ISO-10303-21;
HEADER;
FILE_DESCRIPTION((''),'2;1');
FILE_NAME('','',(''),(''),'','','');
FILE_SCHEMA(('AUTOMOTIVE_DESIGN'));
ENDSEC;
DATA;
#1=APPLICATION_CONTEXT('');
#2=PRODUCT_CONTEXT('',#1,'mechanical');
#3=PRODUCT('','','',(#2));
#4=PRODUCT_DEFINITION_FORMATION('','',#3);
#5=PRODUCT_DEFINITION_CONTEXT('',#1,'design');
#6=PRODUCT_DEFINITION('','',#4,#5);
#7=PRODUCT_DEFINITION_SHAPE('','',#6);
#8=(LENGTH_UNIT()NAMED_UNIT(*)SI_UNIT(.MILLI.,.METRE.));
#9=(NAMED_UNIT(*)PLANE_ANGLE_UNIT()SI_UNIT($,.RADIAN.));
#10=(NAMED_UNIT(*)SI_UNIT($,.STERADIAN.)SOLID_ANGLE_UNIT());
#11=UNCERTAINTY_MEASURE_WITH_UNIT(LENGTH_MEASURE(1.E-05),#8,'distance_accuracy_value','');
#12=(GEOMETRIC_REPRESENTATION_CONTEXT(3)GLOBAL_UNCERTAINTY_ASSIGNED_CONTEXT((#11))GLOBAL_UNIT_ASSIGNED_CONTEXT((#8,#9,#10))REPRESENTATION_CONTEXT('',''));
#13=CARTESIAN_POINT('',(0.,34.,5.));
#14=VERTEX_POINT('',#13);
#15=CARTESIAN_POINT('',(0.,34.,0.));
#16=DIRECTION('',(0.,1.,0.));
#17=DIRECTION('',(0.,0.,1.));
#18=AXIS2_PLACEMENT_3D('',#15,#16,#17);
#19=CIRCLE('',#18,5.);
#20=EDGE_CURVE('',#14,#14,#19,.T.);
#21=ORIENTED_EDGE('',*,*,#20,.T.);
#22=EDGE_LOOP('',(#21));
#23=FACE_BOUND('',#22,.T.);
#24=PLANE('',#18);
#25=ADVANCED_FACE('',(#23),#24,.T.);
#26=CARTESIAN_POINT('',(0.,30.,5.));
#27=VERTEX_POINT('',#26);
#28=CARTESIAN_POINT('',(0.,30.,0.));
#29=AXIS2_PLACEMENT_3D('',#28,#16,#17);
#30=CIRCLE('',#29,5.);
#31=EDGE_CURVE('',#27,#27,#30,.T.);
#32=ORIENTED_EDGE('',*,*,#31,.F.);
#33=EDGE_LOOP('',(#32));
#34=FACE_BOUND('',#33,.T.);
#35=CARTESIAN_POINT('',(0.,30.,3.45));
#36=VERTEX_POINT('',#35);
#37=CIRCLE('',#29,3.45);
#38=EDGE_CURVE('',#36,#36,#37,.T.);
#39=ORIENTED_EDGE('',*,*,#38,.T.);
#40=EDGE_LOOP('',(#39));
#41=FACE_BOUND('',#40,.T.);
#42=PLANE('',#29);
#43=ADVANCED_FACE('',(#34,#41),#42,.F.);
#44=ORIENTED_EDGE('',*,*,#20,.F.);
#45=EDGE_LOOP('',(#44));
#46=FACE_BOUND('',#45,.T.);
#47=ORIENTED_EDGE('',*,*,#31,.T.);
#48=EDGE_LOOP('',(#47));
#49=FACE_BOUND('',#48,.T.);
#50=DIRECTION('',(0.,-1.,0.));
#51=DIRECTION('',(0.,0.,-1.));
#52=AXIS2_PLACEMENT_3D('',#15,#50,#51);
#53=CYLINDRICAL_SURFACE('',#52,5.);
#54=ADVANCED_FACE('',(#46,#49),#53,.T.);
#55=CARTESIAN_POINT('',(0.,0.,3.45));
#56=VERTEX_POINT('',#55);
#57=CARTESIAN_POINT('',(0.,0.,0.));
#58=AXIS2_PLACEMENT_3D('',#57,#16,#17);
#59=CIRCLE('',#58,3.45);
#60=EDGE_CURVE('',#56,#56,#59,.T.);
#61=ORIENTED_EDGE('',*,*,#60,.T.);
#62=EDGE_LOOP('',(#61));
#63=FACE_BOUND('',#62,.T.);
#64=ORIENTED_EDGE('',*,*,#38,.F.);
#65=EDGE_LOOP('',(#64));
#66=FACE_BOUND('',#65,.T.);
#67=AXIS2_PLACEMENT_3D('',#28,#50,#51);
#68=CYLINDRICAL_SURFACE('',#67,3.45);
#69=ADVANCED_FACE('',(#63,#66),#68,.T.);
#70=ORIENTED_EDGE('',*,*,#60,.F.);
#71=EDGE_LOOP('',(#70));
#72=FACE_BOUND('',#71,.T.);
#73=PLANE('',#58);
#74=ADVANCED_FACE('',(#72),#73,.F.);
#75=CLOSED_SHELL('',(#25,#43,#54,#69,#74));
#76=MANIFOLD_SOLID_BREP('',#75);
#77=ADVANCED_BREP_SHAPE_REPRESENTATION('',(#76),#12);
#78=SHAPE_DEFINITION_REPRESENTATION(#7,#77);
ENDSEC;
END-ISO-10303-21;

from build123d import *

# Parameters (mm, degrees)
SKETCH1_R           = 3.45
BOSS_EXTRUDE1_DEPTH = 30
SKETCH2_R           = 5
BOSS_EXTRUDE2_DEPTH = 4


with BuildPart() as part:
    # Sketch1 → Boss-Extrude1 (new body)
    with BuildSketch(Plane(origin=(0, 0, 0), x_dir=(1, 0, 0), z_dir=(0, 1, 0))):
        with Locations(Location((0, 0, 0), (0, 0, 270))):
            Circle(SKETCH1_R)
    extrude(amount=BOSS_EXTRUDE1_DEPTH)

    # Sketch2 → Boss-Extrude2 (add)
    with BuildSketch(Plane(origin=(0, 30, 0), x_dir=(1, 0, 0), z_dir=(0, 1, 0))):
        with Locations(Location((0, 0, 0), (0, 0, 270))):
            Circle(SKETCH2_R)
    extrude(amount=BOSS_EXTRUDE2_DEPTH)


solid = part.part
